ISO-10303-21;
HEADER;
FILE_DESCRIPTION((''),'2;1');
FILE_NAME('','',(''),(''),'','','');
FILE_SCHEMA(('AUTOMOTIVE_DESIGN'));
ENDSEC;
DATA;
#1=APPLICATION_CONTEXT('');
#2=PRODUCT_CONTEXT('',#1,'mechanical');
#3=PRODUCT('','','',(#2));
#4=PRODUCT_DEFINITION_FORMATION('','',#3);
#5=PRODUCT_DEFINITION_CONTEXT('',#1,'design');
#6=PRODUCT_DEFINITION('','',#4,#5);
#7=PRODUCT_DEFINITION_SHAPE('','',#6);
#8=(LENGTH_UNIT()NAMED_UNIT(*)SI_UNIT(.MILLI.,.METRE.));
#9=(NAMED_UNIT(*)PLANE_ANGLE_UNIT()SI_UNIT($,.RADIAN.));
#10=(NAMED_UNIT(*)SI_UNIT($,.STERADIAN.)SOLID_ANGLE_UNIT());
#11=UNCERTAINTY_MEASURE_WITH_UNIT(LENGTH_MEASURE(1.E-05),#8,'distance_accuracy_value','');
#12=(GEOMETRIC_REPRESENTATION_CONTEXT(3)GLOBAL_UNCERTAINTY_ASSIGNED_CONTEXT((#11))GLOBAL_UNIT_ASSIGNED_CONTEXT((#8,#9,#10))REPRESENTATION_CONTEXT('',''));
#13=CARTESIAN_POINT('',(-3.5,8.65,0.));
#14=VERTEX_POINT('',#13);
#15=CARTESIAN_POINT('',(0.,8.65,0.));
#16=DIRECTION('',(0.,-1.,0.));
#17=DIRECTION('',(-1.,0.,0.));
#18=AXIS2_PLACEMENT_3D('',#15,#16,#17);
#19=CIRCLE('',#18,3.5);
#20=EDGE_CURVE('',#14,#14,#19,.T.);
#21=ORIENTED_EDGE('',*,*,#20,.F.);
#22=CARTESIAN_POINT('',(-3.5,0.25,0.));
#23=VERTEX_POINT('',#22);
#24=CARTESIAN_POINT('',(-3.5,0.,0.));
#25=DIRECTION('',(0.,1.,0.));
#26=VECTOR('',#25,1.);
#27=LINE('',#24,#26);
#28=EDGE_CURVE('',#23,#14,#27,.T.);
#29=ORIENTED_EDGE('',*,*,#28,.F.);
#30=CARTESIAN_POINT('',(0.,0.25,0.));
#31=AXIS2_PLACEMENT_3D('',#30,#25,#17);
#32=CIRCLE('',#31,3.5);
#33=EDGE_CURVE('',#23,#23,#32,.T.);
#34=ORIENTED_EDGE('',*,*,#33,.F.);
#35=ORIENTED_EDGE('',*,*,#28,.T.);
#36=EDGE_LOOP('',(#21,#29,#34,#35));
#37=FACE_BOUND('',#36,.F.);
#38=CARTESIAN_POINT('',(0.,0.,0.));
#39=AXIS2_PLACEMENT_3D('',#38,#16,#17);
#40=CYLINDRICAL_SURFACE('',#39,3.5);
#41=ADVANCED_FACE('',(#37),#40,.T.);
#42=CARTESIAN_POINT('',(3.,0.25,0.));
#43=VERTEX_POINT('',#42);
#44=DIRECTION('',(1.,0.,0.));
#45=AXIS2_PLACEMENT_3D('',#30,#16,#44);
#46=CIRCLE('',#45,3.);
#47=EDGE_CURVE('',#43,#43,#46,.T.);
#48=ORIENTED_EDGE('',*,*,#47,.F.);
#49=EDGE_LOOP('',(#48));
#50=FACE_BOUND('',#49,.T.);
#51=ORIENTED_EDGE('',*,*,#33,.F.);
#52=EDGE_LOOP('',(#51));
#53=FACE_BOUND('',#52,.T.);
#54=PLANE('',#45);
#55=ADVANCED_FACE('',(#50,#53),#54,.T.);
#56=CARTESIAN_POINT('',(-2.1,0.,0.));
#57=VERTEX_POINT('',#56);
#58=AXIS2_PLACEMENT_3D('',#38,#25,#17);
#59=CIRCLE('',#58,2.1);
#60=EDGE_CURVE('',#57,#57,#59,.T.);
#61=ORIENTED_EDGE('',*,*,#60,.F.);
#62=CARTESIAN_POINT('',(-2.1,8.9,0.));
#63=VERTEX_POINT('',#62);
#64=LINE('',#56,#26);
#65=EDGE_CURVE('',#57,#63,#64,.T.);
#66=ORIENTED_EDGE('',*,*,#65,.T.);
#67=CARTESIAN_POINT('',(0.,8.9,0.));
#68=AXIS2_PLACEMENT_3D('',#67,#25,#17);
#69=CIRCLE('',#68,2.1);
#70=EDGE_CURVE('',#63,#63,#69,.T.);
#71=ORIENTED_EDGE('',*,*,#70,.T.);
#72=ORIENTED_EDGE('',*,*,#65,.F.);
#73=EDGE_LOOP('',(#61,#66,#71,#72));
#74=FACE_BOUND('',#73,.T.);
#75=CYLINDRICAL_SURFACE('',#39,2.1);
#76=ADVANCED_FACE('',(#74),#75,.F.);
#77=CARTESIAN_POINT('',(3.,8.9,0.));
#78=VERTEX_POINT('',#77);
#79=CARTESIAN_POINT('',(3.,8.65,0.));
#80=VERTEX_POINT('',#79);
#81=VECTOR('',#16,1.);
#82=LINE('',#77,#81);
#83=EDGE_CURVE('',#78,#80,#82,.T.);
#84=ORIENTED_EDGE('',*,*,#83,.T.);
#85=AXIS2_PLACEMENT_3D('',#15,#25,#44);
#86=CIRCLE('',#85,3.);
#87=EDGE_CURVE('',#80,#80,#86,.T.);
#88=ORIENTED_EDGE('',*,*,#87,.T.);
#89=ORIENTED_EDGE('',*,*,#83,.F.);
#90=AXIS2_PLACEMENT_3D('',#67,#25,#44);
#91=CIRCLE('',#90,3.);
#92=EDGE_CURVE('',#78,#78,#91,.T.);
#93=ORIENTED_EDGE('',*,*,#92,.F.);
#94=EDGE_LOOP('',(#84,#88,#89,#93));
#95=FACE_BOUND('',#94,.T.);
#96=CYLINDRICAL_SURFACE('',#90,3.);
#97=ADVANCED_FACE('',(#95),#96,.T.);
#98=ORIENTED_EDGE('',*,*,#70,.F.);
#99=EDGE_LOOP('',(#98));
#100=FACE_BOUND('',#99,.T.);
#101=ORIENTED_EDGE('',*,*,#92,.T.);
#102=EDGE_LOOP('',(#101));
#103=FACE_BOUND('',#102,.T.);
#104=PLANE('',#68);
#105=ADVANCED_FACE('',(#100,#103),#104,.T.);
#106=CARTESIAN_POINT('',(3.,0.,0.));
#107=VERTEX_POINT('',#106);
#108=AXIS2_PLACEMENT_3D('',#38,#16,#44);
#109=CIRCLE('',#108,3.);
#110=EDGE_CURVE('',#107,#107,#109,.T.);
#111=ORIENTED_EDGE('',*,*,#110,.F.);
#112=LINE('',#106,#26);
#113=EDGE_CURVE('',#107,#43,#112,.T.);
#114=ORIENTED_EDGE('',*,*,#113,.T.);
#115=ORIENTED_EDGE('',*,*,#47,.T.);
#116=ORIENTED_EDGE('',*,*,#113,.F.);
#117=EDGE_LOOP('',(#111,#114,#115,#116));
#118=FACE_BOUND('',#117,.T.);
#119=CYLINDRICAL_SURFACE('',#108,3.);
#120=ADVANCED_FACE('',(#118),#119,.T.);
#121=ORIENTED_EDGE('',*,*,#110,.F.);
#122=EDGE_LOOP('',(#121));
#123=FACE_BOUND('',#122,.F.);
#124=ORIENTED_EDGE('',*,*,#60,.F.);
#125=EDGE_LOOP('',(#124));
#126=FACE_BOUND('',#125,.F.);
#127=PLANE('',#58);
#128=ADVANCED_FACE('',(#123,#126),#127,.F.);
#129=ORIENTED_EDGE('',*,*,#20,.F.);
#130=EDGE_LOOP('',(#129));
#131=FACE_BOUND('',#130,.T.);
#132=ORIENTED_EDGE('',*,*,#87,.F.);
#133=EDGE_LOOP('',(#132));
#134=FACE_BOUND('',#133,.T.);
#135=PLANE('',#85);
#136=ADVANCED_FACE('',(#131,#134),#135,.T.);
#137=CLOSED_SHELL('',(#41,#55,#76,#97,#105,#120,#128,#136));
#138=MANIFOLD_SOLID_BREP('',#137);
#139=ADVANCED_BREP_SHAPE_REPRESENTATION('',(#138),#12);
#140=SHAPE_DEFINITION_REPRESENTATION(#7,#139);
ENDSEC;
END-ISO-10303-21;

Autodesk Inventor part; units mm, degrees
ref_plane "YZ Plane" through (0, 0, 0) normal (1, 0, 0) x (0, 1, 0)
ref_plane "XZ Plane" through (0, 0, 0) normal (0, 1, 0) x (-1, 0, 0)
ref_plane "XY Plane" through (0, 0, 0) normal (0, 0, 1) x (1, 0, 0)
sketch "Sketch1" plane through (0, 0, 0) normal (0, 1, 0) x (-1, 0, 0)
  circle A0 centre (0, 0) radius 3.5
  circle A1 centre (0, 0) radius 2.1
  dimension "d0" = 7
  dimension "d1" = 4.2
extrude "Extrusion1" add sketch "Sketch1" along normal blind 8.9
sketch "Sketch2" plane through (0, 8.9, 0) normal (0, 1, 0) x (1, 0, 0)
  circle A0 centre (0, 0) radius 3.5 projected
  circle A1 centre (0, 0) radius 3
  dimension "d4" = 6
extrude "Extrusion2" cut sketch "Sketch2" against normal blind 0.25
sketch "Sketch3" plane through (0, 0, 0) normal (0, -1, 0) x (1, 0, 0)
  circle A0 centre (0, 0) radius 3.5 projected
  circle A1 centre (0, 0) radius 3 projected
extrude "Extrusion3" cut sketch "Sketch3" against normal blind 0.25
properties part number "InnerBearingSpacer"
